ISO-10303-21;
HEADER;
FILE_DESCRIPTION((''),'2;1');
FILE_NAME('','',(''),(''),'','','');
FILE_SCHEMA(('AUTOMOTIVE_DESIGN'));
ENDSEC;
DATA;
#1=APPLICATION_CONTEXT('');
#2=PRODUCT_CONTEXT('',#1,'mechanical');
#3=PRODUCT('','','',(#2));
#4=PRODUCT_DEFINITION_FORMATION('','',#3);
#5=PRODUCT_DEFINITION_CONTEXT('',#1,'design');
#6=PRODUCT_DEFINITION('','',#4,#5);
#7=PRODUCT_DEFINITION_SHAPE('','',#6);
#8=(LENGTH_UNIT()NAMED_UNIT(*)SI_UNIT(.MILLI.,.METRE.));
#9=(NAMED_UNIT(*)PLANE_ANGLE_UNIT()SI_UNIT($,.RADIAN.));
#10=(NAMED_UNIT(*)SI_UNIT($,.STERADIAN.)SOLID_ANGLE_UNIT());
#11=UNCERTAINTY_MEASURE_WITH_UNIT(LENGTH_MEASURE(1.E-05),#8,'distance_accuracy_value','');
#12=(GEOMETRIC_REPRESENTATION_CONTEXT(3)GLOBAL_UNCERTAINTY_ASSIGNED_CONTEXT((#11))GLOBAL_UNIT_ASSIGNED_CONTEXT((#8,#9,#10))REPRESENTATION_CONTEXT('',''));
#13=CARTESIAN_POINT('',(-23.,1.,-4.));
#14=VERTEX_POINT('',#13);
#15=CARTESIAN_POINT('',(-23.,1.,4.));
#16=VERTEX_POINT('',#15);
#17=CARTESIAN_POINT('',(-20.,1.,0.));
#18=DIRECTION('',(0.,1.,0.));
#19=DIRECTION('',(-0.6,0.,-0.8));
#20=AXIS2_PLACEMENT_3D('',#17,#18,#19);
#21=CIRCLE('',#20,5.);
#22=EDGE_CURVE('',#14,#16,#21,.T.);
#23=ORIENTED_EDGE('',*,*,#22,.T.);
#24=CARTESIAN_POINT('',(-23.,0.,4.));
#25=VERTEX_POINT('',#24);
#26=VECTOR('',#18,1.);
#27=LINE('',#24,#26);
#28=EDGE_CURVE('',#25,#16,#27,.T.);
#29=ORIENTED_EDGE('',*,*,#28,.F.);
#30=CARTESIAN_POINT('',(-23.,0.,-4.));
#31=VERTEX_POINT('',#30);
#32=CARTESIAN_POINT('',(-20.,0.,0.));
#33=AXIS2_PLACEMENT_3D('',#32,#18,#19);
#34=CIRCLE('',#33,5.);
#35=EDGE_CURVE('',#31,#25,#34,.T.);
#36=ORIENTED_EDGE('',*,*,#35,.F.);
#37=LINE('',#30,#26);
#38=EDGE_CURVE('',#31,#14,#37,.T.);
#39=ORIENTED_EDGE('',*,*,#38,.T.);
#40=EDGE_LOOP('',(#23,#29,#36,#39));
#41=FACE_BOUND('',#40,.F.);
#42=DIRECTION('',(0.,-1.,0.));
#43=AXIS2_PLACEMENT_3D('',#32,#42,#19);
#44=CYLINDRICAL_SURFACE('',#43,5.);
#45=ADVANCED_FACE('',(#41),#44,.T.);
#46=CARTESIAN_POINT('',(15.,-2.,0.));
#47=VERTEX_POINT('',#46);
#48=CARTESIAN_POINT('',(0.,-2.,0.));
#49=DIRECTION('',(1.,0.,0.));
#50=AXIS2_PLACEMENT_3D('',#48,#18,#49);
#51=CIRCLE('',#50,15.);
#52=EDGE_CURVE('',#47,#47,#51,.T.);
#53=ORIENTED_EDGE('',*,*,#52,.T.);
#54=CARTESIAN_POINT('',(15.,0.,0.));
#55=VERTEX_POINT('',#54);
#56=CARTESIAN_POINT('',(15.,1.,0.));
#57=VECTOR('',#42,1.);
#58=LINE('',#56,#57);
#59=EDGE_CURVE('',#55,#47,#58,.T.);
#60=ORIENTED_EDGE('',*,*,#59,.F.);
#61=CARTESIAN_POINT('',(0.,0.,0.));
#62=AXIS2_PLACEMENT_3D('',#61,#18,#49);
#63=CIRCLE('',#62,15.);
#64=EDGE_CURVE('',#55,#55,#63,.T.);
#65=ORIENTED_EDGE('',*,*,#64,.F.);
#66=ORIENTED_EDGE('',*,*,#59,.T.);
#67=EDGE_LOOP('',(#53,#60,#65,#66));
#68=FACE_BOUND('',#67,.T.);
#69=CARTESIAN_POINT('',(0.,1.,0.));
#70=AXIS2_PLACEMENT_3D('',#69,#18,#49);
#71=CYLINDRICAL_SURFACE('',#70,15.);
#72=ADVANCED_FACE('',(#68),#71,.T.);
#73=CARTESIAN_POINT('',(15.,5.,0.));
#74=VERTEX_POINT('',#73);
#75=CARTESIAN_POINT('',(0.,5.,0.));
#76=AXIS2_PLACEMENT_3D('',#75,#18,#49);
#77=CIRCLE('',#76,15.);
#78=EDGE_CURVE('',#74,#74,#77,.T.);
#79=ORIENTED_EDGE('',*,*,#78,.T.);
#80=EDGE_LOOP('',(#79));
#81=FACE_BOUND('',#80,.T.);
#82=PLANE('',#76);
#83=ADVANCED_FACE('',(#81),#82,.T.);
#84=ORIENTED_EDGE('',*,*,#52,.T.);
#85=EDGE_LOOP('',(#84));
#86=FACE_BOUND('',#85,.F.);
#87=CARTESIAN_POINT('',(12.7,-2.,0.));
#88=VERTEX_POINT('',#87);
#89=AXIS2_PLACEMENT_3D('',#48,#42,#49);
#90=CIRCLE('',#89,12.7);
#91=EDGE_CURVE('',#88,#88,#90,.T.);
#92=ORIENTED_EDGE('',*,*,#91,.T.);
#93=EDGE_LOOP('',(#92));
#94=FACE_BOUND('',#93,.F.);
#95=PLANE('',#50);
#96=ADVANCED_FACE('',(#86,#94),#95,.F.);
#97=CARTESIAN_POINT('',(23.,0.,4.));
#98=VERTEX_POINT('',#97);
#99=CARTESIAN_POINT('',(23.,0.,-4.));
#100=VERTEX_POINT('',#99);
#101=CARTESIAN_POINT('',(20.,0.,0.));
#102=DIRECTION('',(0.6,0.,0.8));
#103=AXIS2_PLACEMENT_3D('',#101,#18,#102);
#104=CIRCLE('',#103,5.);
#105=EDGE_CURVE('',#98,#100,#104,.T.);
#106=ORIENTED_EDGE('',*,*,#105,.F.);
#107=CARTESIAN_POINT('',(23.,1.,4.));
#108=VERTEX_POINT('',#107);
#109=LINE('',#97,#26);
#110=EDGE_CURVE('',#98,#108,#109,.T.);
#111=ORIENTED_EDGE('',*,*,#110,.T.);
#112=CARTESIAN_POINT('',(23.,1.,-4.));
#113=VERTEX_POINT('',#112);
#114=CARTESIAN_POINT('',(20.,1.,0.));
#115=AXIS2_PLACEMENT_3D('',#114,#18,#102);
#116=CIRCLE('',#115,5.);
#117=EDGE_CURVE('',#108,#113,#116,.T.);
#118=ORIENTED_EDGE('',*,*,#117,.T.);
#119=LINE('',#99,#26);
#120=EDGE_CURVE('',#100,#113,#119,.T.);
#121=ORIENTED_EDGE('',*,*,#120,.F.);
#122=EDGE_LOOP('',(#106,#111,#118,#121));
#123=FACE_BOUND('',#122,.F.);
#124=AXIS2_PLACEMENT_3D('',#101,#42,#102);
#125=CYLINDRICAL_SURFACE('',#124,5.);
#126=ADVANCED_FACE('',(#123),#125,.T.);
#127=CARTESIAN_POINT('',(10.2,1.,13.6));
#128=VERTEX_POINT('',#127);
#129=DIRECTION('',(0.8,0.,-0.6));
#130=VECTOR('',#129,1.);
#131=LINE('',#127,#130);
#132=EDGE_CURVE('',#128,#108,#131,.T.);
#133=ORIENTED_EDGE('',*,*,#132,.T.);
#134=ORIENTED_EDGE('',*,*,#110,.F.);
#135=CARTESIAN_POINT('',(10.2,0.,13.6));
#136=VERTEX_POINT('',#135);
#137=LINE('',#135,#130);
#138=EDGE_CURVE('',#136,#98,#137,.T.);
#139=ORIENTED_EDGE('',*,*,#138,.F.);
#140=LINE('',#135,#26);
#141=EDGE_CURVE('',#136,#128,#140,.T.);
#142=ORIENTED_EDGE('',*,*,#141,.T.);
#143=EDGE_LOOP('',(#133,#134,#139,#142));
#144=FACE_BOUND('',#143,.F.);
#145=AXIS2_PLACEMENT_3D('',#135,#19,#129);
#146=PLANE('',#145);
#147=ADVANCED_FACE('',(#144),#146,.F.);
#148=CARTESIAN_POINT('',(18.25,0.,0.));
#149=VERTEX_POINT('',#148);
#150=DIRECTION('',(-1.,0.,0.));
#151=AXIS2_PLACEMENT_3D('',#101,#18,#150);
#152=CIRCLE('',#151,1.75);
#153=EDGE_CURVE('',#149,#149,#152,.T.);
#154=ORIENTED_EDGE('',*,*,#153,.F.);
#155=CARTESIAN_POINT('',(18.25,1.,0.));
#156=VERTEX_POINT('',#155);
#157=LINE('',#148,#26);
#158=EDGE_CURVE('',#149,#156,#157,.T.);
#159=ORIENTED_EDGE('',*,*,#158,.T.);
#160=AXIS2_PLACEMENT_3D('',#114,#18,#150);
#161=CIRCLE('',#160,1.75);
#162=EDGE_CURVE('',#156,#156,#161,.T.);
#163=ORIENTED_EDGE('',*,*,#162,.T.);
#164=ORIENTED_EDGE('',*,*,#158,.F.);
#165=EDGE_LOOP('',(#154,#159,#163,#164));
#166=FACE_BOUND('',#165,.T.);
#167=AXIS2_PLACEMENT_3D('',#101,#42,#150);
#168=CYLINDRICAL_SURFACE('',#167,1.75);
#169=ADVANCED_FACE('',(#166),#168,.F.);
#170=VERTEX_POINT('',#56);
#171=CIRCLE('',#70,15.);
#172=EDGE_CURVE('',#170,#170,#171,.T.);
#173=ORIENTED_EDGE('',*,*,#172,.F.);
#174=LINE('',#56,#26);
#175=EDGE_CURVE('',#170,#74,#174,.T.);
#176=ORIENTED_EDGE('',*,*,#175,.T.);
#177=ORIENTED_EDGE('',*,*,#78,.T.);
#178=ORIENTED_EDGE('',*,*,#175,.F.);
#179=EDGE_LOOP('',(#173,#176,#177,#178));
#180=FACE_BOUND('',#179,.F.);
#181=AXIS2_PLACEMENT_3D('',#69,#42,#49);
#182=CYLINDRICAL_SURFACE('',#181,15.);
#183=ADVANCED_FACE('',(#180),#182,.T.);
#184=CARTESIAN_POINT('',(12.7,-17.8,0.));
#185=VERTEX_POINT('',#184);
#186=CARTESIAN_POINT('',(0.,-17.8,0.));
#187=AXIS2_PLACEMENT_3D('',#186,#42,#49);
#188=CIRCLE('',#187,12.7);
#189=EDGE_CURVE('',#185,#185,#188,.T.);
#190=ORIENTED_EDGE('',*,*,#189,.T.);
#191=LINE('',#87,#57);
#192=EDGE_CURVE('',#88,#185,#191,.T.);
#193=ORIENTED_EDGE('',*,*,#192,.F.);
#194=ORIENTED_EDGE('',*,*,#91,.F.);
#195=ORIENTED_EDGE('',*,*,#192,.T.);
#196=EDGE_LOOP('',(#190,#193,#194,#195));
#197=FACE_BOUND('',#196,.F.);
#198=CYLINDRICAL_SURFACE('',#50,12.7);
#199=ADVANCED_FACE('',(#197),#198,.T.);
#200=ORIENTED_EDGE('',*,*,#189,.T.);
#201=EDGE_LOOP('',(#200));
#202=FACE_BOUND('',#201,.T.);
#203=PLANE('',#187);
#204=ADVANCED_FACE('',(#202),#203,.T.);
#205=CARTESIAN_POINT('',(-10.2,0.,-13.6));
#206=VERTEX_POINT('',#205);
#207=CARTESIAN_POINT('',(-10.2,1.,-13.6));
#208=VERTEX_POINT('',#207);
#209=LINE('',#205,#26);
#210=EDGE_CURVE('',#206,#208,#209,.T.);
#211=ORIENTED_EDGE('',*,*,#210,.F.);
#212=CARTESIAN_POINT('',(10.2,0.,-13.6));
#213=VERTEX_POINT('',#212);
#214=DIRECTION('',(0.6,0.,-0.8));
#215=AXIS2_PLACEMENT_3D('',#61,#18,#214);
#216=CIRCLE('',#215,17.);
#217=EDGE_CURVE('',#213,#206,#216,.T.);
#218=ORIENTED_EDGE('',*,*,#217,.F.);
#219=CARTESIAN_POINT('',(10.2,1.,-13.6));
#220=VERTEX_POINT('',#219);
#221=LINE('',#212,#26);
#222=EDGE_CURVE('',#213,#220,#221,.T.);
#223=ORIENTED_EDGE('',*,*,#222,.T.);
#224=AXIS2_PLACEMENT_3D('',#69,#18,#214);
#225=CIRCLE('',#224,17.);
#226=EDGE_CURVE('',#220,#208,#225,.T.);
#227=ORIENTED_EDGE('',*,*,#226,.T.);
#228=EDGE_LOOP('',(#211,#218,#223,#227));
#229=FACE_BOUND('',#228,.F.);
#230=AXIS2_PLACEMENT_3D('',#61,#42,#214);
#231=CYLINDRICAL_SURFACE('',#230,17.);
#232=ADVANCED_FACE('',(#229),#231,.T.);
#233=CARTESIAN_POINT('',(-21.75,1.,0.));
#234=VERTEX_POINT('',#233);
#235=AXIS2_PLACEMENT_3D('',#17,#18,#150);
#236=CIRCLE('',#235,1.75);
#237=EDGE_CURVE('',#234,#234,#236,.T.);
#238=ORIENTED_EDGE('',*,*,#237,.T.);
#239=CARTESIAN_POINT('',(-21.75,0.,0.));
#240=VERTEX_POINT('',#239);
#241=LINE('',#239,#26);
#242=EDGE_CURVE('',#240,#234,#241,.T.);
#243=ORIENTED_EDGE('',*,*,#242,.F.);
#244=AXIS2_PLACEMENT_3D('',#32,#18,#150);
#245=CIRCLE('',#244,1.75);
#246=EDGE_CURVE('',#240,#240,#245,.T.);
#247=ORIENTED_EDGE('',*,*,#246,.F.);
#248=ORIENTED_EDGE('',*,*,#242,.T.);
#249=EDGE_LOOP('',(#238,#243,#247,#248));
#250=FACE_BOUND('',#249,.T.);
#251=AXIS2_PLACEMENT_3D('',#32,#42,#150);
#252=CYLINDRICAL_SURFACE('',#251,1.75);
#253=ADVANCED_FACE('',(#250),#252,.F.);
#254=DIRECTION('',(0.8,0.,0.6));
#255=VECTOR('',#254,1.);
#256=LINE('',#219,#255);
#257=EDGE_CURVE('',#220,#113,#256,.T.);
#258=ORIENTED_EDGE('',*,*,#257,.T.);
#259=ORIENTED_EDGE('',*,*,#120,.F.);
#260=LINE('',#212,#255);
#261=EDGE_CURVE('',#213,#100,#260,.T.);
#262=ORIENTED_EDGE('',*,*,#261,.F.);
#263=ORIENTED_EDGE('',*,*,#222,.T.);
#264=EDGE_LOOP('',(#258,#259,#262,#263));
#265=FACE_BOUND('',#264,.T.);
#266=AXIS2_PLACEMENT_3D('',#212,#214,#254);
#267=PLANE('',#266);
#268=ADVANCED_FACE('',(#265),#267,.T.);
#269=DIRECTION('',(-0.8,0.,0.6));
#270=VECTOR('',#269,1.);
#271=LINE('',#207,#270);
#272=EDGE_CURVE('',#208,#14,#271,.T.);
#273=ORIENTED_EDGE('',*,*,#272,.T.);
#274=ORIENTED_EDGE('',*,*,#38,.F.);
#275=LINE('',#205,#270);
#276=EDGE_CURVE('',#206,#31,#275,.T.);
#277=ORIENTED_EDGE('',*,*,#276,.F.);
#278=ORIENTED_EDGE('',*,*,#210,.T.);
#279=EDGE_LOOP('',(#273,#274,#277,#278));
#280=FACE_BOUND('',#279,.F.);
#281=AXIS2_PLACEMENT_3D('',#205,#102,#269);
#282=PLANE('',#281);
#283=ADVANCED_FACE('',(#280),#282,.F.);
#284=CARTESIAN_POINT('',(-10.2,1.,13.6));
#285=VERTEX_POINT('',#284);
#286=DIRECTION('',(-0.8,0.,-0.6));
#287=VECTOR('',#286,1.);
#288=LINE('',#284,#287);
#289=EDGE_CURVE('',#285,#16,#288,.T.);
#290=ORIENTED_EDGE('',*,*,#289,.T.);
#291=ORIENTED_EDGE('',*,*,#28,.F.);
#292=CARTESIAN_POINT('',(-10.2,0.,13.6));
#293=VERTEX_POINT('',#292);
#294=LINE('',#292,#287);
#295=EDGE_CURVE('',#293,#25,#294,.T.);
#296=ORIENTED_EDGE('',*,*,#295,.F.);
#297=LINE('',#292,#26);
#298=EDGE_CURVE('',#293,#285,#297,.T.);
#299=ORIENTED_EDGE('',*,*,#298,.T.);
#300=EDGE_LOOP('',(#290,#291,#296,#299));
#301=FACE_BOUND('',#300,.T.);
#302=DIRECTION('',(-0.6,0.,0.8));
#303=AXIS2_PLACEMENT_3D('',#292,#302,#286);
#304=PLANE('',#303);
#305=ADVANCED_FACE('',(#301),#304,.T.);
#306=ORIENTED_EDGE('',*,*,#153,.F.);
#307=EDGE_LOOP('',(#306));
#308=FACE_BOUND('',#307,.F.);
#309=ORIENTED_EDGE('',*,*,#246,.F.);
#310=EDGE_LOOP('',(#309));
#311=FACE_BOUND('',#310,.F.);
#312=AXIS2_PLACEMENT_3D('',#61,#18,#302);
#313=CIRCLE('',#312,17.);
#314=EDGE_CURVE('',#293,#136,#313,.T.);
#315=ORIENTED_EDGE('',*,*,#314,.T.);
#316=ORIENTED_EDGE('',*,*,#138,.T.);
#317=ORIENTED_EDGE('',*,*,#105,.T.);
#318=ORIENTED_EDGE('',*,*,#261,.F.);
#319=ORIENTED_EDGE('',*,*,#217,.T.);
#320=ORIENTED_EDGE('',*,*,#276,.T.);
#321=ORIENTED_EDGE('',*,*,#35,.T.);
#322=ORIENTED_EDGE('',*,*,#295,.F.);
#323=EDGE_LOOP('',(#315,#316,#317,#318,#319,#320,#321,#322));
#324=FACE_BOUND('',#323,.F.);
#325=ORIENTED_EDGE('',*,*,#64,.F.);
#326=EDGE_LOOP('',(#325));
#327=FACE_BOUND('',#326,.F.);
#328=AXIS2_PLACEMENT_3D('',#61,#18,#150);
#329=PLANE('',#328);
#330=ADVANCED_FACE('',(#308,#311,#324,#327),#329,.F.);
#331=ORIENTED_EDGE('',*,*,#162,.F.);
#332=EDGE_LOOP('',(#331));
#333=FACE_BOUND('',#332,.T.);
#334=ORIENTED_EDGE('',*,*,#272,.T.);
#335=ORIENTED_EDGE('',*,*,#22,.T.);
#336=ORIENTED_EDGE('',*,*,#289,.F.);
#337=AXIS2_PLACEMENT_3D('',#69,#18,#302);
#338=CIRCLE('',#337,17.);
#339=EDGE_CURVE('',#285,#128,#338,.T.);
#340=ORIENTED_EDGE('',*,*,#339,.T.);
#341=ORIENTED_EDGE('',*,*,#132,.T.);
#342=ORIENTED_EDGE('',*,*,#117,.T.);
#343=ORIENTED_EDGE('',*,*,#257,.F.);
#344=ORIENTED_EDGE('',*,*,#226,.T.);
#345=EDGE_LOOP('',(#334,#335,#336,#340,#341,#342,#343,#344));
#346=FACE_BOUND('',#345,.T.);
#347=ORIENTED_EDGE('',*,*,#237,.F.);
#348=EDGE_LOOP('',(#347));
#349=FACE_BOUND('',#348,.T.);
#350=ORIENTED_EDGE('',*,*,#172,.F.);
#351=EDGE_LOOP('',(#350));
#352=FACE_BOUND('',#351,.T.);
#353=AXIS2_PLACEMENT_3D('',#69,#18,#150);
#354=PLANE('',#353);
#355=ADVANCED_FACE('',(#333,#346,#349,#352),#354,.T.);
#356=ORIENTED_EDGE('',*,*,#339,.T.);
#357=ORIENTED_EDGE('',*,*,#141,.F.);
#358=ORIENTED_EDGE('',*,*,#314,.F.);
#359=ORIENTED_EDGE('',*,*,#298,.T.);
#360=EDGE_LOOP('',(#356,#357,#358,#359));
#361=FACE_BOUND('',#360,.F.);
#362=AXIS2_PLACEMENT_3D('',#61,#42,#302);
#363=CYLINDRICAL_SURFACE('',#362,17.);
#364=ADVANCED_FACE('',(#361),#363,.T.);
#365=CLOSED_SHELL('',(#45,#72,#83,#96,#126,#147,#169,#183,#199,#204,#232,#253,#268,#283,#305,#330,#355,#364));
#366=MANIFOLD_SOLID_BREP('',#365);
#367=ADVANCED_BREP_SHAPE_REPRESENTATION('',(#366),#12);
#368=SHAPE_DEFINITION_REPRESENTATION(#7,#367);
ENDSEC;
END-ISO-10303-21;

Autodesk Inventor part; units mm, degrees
ref_plane "YZ Plane" through (0, 0, 0) normal (1, 0, 0) x (0, 1, 0)
ref_plane "XZ Plane" through (0, 0, 0) normal (0, 1, 0) x (-1, 0, 0)
ref_plane "XY Plane" through (0, 0, 0) normal (0, 0, 1) x (1, 0, 0)
sketch "Sketch1" plane through (0, 0, 0) normal (0, 1, 0) x (-1, 0, 0)
  line L0 (0, 0) -> (20, 0) construction
  circle A0 centre (20, 0) radius 1.75
  line L1 (0, 0) -> (25, 0) construction
  line L2 (25, 0) -> (25, -10) construction
  line L3 (10.2, 13.6) -> (23, 4)
  line L4 (10.2, -13.6) -> (23, -4)
  arc A1 (23, -4) -> (23, 4) centre (20, 0) ccw
  line L5 (0, 0) -> (0, -10)
  circle A2 centre (-20, 0) radius 1.75
  line L6 (-10.2, 13.6) -> (-23, 4)
  line L7 (-10.2, -13.6) -> (-23, -4)
  arc A3 (-23, 4) -> (-23, -4) centre (-20, 0) ccw
  arc A4 (10.2, 13.6) -> (-10.2, 13.6) centre (0, 0) ccw
  arc A5 (-10.2, -13.6) -> (10.2, -13.6) centre (0, 0) ccw
  dimension "d1" = 20
  dimension "d2" = 3.5
  dimension "d3" = 25
  dimension "d7" = 17
  dimension "d20" = 10
  dimension "d21" = 10
extrude "Extrusion1" add sketch "Sketch1" along normal blind 1
sketch "Sketch2" plane through (0, 1, 0) normal (0, 1, 0) x (1, 0, 0)
  circle A0 centre (0, 0) radius 15
  dimension "d11" = 30
extrude "Extrusion2" add sketch "Sketch2" along normal blind 4 and the other way blind 3
sketch "Sketch3" plane through (0, -2, 0) normal (0, -1, 0) x (1, 0, 0)
  circle A0 centre (0, 0) radius 12.7
  dimension "d15" = 25.4
extrude "Extrusion3" add sketch "Sketch3" along normal blind 15.8
properties part number "tube socket 9 pin"
